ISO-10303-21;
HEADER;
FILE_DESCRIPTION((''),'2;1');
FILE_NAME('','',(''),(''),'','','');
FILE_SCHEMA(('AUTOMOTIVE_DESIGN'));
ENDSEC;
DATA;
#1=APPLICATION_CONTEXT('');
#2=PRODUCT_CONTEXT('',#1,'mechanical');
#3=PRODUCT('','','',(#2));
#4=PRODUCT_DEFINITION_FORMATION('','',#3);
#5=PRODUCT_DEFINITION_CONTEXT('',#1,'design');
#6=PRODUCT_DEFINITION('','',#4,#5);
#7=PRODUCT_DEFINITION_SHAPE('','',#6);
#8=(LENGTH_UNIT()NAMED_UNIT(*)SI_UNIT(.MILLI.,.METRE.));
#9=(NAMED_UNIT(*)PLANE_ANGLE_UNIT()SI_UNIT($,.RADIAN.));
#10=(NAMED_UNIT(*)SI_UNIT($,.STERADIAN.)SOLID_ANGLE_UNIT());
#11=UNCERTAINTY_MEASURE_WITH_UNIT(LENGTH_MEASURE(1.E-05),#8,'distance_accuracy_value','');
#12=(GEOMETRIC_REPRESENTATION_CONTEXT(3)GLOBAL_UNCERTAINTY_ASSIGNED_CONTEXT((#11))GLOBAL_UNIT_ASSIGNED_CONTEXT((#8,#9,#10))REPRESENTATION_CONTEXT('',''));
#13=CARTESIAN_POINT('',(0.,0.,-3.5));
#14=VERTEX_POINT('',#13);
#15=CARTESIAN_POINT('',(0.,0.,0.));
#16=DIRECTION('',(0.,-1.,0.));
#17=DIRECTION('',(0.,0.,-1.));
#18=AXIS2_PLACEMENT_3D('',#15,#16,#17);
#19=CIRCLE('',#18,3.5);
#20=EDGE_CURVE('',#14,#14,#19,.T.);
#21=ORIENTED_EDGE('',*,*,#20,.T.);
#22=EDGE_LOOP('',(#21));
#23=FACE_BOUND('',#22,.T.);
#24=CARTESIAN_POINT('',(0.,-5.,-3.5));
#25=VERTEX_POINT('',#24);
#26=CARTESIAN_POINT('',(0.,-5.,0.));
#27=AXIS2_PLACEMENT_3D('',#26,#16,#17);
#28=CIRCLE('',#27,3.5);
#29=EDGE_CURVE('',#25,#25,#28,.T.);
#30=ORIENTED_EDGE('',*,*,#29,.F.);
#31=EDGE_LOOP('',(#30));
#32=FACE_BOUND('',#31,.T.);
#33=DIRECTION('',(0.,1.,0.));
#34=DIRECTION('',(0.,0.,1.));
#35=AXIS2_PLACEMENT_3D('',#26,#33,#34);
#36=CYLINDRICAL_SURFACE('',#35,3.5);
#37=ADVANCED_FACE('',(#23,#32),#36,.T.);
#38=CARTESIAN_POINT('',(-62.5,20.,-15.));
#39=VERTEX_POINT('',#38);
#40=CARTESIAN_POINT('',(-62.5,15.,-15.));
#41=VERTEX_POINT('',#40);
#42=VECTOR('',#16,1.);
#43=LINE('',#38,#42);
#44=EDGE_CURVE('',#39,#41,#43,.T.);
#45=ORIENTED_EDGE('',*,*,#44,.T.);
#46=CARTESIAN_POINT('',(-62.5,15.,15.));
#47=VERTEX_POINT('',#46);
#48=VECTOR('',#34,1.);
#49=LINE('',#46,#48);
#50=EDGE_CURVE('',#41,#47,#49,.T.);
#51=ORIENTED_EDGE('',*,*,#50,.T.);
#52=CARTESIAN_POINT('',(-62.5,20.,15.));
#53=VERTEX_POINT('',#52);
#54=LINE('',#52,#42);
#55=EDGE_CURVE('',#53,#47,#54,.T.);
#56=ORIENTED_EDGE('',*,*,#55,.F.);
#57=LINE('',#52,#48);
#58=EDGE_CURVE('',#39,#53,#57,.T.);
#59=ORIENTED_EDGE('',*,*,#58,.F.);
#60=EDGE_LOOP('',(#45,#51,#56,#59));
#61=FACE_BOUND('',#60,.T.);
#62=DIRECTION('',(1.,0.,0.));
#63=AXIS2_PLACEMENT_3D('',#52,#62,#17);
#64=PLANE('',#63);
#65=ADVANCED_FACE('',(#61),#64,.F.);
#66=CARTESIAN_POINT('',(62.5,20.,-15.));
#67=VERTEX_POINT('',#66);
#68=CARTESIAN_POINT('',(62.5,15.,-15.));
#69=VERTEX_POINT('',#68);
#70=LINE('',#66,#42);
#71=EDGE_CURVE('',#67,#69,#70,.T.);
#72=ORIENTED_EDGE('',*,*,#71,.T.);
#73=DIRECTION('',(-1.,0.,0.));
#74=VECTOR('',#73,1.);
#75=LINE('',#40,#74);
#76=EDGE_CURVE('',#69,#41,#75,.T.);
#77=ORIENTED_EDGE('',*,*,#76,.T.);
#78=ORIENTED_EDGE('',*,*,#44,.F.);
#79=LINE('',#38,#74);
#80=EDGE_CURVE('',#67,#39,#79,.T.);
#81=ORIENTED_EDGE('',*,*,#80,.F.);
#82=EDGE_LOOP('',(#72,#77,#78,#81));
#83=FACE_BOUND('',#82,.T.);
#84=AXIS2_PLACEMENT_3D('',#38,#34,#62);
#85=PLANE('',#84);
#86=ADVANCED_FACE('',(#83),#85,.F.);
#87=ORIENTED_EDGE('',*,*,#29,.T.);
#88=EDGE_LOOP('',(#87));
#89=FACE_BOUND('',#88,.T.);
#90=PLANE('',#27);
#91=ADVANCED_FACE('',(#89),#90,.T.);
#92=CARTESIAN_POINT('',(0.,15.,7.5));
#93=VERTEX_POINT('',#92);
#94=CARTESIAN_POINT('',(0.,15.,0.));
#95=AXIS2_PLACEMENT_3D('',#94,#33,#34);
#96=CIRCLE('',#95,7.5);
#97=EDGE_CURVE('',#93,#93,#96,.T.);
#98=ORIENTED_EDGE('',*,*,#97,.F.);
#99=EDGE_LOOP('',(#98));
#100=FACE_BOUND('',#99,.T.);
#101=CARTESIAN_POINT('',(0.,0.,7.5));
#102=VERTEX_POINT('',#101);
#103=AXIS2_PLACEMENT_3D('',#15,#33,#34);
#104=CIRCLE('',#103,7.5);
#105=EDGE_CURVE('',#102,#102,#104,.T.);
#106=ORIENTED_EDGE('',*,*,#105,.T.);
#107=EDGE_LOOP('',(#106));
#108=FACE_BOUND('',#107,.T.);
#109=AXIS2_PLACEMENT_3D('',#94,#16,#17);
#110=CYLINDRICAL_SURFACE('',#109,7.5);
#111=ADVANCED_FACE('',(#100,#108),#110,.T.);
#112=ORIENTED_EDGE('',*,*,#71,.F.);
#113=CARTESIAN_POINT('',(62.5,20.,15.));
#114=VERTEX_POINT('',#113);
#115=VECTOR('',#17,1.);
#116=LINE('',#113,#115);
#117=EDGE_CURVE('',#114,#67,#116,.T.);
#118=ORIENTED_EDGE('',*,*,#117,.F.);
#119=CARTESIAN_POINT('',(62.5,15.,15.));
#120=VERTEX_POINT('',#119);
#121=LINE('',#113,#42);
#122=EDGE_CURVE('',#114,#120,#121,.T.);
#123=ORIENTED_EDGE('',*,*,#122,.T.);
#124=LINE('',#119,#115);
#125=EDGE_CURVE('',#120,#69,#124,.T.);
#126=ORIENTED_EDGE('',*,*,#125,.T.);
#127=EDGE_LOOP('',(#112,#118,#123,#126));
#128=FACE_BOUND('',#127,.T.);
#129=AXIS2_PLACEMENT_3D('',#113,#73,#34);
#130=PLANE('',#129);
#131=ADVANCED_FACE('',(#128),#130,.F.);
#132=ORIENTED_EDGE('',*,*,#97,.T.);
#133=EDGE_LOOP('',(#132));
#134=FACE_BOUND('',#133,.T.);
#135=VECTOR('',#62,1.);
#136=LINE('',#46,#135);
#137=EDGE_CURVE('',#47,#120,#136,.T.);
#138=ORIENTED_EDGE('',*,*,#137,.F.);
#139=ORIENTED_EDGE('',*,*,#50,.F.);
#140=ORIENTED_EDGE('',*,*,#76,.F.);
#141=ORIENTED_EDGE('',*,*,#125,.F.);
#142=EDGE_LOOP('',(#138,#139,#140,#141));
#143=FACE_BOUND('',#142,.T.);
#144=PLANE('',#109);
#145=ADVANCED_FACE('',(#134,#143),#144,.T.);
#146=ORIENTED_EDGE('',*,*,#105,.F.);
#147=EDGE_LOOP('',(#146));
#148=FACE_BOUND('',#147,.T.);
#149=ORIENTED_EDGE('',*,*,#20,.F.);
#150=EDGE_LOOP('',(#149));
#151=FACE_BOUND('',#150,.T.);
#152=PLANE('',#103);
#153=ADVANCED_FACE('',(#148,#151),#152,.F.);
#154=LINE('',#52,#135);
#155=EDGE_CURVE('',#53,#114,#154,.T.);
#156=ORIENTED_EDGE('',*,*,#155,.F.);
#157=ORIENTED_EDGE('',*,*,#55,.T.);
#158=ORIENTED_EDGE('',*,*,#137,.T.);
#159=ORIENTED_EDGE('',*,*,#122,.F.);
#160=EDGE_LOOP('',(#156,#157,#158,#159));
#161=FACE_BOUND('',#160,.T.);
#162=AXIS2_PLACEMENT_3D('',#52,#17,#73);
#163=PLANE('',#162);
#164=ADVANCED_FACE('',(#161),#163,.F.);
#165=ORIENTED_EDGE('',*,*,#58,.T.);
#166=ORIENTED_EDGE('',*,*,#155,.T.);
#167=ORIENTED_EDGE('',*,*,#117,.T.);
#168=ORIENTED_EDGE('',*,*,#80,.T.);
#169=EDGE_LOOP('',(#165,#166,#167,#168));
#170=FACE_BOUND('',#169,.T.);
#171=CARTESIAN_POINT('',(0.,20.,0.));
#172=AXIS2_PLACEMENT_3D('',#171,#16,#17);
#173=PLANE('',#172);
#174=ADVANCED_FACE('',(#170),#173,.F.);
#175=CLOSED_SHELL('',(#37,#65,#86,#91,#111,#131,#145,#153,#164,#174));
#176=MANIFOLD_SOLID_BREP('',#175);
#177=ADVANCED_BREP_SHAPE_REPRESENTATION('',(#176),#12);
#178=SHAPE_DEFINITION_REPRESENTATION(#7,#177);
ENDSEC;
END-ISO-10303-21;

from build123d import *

# Parameters (mm, degrees)
SKETCH1_R           = 7.5
BOSS_EXTRUDE1_DEPTH = 15
SKETCH2_W           = 125
SKETCH2_H           = 30
BOSS_EXTRUDE2_DEPTH = 5
SKETCH3_R           = 3.5
BOSS_EXTRUDE3_DEPTH = 5


with BuildPart() as part:
    # Sketch1 → Boss-Extrude1 (new body)
    with BuildSketch(Plane(origin=(0, 0, 0), x_dir=(1, 0, 0), z_dir=(0, 1, 0))):
        with Locations(Location((0, 0, 0), (0, 0, 270))):
            Circle(SKETCH1_R)
    extrude(amount=BOSS_EXTRUDE1_DEPTH)

    # Sketch2 → Boss-Extrude2 (add)
    with BuildSketch(Plane(origin=(0, 15, 0), x_dir=(1, 0, 0), z_dir=(0, 1, 0))):
        Rectangle(SKETCH2_W, SKETCH2_H)
    extrude(amount=BOSS_EXTRUDE2_DEPTH)

    # Sketch3 → Boss-Extrude3 (add)
    with BuildSketch(Plane.XZ):
        with Locations(Location((0, 0, 0), (0, 0, 270))):
            Circle(SKETCH3_R)
    extrude(amount=BOSS_EXTRUDE3_DEPTH)


solid = part.part
